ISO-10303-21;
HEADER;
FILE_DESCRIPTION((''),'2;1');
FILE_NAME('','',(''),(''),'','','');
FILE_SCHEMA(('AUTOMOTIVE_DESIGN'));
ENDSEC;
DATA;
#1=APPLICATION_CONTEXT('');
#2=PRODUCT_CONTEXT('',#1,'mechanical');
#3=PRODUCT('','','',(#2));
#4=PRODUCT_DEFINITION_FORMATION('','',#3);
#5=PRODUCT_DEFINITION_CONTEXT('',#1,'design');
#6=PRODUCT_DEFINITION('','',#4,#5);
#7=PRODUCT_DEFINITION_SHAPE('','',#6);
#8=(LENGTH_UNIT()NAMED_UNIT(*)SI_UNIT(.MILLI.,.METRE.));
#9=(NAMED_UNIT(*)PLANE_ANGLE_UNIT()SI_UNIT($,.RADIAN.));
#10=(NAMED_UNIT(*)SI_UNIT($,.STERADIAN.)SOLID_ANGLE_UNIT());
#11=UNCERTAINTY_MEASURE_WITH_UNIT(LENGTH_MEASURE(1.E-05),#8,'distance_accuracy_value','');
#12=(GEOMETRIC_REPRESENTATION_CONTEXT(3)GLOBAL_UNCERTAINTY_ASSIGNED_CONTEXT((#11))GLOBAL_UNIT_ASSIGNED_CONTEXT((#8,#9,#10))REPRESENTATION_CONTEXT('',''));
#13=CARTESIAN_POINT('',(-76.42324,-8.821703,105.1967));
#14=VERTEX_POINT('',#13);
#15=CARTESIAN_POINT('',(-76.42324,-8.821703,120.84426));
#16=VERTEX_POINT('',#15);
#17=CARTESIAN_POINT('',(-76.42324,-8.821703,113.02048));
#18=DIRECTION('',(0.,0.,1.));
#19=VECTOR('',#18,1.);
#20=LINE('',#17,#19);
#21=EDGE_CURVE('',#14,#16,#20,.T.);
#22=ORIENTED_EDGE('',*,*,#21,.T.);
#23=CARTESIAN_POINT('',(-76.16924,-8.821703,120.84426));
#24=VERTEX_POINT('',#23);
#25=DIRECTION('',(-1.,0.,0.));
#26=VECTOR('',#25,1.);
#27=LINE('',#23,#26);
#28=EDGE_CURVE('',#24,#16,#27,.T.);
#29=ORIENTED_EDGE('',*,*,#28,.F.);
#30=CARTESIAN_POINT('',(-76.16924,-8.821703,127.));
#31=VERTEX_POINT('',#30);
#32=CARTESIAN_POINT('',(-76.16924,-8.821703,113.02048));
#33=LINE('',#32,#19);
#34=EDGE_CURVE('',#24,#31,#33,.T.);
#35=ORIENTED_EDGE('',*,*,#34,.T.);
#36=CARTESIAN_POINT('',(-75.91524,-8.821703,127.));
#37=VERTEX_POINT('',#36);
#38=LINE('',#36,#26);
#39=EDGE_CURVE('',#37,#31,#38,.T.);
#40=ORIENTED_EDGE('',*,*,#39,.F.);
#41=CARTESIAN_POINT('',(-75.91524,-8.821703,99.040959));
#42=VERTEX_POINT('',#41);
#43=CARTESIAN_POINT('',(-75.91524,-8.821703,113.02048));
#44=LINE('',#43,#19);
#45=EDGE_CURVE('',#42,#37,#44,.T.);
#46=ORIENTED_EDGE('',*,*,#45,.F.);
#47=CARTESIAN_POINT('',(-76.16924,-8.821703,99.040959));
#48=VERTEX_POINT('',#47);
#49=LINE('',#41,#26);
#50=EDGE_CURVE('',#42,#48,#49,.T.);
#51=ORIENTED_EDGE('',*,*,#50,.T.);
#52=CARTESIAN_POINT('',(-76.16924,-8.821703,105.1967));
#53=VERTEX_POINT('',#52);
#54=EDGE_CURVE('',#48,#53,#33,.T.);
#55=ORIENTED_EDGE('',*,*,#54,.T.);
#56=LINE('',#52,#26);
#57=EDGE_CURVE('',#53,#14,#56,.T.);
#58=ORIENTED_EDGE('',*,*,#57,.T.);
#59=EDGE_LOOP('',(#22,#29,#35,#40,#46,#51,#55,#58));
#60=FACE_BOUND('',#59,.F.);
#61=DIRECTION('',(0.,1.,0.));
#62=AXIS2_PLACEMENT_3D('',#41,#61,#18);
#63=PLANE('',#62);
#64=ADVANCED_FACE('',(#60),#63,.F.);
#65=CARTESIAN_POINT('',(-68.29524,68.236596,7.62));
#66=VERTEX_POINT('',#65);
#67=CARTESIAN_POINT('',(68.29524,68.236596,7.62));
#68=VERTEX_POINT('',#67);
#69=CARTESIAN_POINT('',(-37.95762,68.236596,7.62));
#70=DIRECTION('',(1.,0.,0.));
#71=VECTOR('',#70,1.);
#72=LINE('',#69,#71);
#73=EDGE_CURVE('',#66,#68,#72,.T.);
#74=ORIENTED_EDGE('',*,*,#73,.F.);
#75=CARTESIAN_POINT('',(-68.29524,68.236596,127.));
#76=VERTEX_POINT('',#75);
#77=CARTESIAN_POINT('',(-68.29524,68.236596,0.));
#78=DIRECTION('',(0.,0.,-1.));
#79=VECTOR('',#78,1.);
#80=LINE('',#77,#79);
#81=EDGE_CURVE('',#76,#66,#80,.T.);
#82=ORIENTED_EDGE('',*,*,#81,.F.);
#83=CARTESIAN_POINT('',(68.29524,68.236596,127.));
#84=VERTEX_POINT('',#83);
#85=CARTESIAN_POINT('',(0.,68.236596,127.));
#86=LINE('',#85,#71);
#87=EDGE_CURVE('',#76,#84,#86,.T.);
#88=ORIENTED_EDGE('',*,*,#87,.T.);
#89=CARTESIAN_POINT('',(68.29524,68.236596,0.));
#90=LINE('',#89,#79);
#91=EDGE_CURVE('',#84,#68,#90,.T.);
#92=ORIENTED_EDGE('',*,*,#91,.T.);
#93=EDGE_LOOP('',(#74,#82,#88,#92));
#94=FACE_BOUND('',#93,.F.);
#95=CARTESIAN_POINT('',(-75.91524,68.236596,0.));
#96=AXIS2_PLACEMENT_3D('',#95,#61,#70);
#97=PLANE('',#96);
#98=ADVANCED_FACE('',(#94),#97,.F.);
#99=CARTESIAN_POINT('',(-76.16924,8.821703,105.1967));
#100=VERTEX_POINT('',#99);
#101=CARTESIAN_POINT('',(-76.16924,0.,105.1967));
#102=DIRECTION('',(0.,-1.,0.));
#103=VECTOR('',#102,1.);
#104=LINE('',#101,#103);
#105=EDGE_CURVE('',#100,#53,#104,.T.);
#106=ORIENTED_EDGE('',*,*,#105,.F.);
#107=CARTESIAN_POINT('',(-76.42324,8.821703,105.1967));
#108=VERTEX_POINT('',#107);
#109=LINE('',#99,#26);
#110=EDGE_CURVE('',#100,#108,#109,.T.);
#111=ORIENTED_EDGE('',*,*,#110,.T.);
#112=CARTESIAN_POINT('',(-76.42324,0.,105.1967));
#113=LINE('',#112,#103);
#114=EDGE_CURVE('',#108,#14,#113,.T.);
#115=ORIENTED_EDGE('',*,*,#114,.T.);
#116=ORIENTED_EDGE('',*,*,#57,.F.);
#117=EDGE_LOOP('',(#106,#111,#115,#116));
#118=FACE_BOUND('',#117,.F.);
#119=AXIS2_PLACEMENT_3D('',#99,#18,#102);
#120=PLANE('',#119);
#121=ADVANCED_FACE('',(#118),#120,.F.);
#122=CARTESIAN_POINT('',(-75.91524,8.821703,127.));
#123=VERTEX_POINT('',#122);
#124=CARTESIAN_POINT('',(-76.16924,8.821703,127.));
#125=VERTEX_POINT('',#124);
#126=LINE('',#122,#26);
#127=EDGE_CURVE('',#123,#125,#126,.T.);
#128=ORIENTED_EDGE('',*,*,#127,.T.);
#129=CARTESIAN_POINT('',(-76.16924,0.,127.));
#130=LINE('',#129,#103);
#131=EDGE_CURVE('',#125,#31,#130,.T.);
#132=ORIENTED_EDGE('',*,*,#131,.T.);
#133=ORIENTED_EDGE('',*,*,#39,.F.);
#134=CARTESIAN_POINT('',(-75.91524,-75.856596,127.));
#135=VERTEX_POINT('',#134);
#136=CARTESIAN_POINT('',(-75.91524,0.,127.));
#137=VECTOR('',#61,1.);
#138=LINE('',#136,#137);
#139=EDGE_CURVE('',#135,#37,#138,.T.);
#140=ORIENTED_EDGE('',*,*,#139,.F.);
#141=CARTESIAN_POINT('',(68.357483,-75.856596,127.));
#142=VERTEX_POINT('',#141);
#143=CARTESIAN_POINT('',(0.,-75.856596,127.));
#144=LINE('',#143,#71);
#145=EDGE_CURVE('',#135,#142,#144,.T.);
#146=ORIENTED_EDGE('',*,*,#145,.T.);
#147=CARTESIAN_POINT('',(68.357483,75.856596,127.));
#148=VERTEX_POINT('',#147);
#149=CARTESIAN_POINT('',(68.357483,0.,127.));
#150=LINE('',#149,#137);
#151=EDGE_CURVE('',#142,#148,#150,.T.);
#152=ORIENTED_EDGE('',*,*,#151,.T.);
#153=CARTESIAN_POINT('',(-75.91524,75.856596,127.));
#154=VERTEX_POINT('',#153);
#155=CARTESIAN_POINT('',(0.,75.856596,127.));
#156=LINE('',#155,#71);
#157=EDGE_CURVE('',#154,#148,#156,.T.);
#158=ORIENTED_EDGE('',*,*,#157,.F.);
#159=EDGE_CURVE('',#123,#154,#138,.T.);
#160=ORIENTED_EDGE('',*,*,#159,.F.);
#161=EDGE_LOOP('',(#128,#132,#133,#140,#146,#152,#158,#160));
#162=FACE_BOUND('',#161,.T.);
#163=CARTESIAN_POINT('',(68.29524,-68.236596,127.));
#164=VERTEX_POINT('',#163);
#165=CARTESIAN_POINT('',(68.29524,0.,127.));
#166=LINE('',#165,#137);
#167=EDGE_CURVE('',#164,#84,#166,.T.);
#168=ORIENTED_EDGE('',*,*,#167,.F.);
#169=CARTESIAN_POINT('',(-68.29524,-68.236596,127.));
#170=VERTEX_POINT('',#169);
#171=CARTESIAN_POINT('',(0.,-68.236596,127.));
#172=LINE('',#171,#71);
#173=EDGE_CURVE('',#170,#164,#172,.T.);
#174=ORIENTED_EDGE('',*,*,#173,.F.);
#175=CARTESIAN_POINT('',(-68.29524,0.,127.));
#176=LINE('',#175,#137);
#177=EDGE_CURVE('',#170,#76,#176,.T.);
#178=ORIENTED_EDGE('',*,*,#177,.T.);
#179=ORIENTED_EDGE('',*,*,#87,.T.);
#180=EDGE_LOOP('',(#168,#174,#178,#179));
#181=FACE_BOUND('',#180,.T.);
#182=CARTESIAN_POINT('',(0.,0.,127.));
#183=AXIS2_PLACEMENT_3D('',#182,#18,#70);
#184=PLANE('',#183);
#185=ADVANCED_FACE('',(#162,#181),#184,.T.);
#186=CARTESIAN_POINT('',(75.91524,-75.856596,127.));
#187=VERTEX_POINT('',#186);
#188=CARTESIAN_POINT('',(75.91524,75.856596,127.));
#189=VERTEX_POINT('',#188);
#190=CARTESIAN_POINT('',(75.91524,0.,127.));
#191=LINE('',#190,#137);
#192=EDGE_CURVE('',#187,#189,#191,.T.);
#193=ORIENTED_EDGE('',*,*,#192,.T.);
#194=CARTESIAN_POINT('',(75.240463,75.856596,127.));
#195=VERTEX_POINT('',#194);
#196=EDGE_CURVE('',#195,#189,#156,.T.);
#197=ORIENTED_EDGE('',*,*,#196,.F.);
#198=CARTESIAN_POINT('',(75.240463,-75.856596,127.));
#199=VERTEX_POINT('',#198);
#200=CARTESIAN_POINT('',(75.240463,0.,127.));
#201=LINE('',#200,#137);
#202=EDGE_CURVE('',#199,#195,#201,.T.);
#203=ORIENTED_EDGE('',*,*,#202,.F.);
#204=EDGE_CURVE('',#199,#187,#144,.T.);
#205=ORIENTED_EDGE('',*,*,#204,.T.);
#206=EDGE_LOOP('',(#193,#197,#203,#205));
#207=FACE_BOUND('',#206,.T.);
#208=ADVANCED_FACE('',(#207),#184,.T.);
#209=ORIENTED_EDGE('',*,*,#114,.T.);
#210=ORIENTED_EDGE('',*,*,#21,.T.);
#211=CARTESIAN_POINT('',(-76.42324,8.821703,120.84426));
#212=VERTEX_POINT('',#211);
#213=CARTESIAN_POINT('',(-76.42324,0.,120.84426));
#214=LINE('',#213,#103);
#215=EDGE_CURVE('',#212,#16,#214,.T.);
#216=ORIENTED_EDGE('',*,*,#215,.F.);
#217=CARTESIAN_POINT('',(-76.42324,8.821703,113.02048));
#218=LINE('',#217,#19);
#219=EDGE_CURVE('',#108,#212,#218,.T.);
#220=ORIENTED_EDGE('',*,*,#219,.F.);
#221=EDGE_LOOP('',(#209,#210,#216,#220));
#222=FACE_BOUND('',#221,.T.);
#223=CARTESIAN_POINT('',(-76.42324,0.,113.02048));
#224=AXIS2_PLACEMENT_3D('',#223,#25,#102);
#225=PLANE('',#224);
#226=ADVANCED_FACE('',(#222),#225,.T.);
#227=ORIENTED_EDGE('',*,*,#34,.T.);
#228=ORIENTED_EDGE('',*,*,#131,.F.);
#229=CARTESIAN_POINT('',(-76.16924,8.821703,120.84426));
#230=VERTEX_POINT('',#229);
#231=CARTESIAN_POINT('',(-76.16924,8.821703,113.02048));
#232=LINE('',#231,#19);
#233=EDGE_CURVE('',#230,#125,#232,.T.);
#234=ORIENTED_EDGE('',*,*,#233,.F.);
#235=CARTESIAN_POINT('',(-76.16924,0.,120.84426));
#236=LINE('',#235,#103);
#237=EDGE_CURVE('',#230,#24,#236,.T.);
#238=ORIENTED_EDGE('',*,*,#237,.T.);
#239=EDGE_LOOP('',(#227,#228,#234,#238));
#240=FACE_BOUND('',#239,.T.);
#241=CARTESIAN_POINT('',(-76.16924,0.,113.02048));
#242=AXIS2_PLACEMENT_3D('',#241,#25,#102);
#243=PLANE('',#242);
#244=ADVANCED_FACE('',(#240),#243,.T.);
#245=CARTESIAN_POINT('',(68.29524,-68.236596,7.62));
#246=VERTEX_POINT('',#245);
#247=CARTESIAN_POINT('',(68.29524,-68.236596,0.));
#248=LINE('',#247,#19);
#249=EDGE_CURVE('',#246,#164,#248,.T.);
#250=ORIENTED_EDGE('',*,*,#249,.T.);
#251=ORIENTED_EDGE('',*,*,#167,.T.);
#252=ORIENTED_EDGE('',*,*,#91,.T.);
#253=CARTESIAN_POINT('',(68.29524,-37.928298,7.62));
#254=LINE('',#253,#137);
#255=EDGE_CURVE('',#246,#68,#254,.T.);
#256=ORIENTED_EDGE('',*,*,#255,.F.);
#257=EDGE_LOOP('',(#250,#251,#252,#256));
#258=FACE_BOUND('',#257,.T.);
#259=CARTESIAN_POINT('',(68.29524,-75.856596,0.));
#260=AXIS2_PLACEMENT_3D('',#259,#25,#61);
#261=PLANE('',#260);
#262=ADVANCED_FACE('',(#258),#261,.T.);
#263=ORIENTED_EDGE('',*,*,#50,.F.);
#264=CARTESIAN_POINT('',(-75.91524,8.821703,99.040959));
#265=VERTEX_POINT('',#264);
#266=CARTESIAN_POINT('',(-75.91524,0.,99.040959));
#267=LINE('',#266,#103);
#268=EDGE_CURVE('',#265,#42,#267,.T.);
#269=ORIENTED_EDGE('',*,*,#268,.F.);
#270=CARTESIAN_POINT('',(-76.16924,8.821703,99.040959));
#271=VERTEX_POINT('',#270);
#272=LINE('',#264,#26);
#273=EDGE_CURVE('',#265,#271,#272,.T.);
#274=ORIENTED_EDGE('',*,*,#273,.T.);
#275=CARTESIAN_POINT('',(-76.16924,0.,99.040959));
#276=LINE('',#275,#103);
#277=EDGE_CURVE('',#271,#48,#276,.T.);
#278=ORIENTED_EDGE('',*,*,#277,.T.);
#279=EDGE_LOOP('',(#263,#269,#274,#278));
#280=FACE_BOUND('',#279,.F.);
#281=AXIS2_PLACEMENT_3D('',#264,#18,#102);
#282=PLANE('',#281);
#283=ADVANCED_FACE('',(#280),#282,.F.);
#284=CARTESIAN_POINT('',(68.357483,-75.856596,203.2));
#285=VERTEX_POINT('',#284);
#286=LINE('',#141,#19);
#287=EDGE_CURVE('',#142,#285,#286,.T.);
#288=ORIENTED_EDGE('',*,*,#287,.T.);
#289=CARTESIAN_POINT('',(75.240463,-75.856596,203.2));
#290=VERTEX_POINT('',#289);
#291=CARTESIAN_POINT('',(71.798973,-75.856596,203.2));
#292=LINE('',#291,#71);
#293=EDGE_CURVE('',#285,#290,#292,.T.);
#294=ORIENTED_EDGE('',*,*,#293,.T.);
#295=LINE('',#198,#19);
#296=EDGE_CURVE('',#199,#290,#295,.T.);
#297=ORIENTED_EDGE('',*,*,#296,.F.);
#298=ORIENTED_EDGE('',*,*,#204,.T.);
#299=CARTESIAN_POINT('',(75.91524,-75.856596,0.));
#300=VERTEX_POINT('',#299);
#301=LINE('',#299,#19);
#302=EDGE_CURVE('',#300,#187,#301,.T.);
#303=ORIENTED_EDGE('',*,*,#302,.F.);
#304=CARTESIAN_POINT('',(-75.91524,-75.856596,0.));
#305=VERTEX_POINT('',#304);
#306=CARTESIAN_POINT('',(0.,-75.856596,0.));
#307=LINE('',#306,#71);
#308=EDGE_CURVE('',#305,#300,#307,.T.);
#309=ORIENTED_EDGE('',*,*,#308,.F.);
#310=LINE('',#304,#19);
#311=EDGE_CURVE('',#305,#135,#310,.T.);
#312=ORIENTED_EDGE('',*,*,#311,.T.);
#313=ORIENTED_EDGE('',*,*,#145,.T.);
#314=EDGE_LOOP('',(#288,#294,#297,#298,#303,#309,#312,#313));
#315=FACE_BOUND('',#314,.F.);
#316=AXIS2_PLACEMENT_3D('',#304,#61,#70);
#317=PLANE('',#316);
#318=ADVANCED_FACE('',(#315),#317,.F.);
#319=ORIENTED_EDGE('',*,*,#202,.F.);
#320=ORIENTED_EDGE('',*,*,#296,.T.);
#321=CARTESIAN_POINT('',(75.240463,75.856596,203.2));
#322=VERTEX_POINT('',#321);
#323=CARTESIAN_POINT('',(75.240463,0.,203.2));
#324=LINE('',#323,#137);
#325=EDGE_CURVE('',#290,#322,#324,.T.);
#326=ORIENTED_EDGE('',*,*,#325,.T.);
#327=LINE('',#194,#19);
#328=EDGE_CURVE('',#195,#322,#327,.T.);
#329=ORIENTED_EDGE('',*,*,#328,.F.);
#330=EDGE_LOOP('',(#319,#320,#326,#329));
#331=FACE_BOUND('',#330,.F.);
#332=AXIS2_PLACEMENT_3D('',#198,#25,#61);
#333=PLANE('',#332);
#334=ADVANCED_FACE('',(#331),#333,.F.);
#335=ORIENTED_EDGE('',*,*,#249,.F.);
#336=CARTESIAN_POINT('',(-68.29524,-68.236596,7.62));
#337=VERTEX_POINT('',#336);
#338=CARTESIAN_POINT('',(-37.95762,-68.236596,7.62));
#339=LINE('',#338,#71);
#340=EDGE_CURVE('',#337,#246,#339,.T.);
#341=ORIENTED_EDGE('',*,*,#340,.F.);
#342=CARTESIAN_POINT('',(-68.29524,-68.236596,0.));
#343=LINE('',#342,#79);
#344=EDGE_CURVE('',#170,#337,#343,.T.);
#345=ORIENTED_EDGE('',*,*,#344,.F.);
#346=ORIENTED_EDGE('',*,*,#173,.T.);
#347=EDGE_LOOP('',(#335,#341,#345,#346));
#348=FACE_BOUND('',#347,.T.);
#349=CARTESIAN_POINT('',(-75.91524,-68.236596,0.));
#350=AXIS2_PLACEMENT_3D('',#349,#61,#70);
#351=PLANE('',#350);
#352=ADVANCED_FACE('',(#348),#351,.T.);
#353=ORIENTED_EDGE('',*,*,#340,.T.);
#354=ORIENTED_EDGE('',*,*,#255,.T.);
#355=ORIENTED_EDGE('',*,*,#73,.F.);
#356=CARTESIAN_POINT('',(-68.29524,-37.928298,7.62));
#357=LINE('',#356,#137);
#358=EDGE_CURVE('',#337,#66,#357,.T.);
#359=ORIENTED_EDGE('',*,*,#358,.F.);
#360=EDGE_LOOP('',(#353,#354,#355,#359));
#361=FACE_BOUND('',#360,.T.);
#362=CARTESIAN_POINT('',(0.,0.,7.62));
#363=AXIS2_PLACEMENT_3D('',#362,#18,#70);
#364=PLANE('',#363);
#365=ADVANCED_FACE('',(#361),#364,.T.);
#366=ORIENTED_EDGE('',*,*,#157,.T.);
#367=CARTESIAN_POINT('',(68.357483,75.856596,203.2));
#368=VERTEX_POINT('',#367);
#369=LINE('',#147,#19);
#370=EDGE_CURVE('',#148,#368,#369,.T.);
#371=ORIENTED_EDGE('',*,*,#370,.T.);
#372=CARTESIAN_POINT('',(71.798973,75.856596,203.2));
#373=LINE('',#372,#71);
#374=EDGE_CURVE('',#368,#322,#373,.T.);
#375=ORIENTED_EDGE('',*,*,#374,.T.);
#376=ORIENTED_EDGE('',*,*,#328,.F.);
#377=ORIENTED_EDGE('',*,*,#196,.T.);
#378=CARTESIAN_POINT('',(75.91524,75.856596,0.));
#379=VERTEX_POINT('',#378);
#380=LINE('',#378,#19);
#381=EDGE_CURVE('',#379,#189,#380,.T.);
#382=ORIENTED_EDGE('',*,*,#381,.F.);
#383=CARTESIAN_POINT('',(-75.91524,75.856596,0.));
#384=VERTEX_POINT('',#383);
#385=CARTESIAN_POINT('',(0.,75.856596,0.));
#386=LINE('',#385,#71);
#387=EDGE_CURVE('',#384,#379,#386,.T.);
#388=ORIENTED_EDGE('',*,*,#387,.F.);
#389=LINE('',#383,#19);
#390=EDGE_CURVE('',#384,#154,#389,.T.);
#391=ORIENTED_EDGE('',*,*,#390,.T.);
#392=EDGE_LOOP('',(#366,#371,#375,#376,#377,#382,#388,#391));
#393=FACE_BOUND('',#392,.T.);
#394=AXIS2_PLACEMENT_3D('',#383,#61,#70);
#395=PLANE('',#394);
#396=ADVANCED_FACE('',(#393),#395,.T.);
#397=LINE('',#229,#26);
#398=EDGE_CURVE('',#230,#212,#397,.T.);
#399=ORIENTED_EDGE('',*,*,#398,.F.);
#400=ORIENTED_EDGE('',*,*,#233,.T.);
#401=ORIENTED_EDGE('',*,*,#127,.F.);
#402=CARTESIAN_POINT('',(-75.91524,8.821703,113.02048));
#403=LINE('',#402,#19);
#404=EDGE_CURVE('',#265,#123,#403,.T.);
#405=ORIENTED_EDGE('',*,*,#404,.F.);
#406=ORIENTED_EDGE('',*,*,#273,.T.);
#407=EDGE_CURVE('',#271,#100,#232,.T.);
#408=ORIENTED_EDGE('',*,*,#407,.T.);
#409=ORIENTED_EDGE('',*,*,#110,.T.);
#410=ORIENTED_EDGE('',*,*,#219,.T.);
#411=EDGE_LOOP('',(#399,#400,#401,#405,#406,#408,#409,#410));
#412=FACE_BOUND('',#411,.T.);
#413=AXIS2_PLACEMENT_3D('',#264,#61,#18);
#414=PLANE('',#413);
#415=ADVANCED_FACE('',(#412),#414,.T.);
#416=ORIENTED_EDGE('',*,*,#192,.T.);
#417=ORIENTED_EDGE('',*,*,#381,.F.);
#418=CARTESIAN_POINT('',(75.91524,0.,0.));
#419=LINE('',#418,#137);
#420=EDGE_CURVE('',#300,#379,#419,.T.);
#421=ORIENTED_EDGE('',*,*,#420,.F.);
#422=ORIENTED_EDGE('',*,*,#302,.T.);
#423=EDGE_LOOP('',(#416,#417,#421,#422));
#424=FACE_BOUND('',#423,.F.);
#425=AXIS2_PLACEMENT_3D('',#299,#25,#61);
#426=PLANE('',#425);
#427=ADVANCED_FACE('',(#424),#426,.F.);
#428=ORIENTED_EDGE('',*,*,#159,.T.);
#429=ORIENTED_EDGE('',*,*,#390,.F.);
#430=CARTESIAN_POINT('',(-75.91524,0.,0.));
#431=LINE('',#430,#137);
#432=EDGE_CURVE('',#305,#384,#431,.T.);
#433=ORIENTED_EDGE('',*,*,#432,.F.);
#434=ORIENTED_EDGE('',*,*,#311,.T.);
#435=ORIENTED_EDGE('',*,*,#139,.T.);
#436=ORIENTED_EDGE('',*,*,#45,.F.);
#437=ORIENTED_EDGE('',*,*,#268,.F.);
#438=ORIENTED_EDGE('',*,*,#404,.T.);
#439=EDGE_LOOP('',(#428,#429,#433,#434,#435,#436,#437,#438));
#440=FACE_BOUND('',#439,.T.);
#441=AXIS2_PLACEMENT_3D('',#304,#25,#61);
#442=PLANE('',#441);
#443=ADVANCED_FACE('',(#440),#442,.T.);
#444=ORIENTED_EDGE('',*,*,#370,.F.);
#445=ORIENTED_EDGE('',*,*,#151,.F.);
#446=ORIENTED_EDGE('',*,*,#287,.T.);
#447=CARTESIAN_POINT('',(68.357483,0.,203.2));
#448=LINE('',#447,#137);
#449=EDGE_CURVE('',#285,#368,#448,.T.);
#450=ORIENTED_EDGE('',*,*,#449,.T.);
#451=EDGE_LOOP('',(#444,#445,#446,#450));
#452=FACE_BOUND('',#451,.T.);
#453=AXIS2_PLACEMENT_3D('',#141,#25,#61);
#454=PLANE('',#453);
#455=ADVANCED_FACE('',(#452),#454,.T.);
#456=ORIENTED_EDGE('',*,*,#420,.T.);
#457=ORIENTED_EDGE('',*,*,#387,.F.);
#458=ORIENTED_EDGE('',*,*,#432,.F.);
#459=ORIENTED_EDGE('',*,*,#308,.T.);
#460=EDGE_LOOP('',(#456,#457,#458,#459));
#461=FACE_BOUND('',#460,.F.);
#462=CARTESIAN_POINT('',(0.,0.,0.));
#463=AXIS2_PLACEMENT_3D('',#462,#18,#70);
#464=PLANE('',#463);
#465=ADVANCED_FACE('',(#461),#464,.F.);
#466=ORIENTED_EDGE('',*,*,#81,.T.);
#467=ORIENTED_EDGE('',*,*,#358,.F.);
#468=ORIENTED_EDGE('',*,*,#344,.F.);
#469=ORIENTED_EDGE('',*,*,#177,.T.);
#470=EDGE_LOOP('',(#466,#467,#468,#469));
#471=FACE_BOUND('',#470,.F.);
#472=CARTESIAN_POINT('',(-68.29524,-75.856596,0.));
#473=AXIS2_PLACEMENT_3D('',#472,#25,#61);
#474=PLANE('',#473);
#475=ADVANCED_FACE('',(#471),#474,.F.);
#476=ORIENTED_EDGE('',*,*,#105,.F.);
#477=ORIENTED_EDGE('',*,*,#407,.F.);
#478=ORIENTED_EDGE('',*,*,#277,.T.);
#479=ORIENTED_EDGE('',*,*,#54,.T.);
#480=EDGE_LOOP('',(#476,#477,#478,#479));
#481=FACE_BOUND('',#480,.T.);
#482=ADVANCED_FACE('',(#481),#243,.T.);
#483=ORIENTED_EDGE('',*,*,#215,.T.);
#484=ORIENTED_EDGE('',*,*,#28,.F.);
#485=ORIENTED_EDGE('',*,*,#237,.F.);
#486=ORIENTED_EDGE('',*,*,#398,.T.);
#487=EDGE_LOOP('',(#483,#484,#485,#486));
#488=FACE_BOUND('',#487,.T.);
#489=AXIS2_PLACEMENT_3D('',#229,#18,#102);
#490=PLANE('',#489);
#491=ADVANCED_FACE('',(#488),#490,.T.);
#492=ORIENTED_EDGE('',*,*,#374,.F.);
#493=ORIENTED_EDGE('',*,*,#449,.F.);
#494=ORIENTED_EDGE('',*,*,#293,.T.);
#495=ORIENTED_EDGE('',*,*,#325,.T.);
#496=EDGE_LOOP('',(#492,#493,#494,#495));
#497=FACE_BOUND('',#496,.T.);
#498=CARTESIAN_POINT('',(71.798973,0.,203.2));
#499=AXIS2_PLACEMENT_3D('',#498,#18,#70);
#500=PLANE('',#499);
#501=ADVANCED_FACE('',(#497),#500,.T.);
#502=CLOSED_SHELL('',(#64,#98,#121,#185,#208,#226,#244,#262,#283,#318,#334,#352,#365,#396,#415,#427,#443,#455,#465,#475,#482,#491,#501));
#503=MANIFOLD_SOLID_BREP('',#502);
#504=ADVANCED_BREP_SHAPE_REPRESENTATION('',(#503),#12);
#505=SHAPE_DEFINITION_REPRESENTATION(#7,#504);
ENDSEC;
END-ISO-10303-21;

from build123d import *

# Parameters (mm, degrees)
F0_W     = 151.8304795027
F0_H     = 151.7131924629
F1_DEPTH = 127
F2_T     = -7.62
F3_W     = 6.8829804659
F3_H     = 151.7131924629
F4_DEPTH = 76.2
F5_W     = 17.6434051245
F5_H     = 27.9590406418
F6_DEPTH = 0.254
F7_W     = 17.6434051245
F7_H     = 15.647560358
F8_DEPTH = 0.254


with BuildPart() as f1:
    # F0 (on Top) → F1 (new body)
    with BuildSketch(Plane.XY):
        Rectangle(F0_W, F0_H)
    extrude(amount=F1_DEPTH)

    # F2
    f2_openings = [f1.faces().sort_by_distance(p)[0] for p in [
        (0, 0, 127),
    ]]
    offset(amount=F2_T, openings=f2_openings)

    # F3 (on face) → F4 (join)
    with BuildSketch(Plane.XY.offset(127)):
        with Locations((71.7989727855, 0)):
            Rectangle(F3_W, F3_H)
    extrude(amount=F4_DEPTH)

    # F5 (on face) → F6 (join)
    with BuildSketch(Plane(origin=(-75.9152397513, 0, 0), x_dir=(0, -1, 0), z_dir=(-1, 0, 0))):
        with Locations((0, 113.0204796791)):
            Rectangle(F5_W, F5_H)
    extrude(amount=F6_DEPTH)

    # F7 (on face) → F8 (join)
    with BuildSketch(Plane(origin=(-76.1692397513, 0, 0), x_dir=(0, -1, 0), z_dir=(-1, 0, 0))):
        with Locations((0, 113.0204796791)):
            Rectangle(F7_W, F7_H)
    extrude(amount=F8_DEPTH)


solid = f1.part
